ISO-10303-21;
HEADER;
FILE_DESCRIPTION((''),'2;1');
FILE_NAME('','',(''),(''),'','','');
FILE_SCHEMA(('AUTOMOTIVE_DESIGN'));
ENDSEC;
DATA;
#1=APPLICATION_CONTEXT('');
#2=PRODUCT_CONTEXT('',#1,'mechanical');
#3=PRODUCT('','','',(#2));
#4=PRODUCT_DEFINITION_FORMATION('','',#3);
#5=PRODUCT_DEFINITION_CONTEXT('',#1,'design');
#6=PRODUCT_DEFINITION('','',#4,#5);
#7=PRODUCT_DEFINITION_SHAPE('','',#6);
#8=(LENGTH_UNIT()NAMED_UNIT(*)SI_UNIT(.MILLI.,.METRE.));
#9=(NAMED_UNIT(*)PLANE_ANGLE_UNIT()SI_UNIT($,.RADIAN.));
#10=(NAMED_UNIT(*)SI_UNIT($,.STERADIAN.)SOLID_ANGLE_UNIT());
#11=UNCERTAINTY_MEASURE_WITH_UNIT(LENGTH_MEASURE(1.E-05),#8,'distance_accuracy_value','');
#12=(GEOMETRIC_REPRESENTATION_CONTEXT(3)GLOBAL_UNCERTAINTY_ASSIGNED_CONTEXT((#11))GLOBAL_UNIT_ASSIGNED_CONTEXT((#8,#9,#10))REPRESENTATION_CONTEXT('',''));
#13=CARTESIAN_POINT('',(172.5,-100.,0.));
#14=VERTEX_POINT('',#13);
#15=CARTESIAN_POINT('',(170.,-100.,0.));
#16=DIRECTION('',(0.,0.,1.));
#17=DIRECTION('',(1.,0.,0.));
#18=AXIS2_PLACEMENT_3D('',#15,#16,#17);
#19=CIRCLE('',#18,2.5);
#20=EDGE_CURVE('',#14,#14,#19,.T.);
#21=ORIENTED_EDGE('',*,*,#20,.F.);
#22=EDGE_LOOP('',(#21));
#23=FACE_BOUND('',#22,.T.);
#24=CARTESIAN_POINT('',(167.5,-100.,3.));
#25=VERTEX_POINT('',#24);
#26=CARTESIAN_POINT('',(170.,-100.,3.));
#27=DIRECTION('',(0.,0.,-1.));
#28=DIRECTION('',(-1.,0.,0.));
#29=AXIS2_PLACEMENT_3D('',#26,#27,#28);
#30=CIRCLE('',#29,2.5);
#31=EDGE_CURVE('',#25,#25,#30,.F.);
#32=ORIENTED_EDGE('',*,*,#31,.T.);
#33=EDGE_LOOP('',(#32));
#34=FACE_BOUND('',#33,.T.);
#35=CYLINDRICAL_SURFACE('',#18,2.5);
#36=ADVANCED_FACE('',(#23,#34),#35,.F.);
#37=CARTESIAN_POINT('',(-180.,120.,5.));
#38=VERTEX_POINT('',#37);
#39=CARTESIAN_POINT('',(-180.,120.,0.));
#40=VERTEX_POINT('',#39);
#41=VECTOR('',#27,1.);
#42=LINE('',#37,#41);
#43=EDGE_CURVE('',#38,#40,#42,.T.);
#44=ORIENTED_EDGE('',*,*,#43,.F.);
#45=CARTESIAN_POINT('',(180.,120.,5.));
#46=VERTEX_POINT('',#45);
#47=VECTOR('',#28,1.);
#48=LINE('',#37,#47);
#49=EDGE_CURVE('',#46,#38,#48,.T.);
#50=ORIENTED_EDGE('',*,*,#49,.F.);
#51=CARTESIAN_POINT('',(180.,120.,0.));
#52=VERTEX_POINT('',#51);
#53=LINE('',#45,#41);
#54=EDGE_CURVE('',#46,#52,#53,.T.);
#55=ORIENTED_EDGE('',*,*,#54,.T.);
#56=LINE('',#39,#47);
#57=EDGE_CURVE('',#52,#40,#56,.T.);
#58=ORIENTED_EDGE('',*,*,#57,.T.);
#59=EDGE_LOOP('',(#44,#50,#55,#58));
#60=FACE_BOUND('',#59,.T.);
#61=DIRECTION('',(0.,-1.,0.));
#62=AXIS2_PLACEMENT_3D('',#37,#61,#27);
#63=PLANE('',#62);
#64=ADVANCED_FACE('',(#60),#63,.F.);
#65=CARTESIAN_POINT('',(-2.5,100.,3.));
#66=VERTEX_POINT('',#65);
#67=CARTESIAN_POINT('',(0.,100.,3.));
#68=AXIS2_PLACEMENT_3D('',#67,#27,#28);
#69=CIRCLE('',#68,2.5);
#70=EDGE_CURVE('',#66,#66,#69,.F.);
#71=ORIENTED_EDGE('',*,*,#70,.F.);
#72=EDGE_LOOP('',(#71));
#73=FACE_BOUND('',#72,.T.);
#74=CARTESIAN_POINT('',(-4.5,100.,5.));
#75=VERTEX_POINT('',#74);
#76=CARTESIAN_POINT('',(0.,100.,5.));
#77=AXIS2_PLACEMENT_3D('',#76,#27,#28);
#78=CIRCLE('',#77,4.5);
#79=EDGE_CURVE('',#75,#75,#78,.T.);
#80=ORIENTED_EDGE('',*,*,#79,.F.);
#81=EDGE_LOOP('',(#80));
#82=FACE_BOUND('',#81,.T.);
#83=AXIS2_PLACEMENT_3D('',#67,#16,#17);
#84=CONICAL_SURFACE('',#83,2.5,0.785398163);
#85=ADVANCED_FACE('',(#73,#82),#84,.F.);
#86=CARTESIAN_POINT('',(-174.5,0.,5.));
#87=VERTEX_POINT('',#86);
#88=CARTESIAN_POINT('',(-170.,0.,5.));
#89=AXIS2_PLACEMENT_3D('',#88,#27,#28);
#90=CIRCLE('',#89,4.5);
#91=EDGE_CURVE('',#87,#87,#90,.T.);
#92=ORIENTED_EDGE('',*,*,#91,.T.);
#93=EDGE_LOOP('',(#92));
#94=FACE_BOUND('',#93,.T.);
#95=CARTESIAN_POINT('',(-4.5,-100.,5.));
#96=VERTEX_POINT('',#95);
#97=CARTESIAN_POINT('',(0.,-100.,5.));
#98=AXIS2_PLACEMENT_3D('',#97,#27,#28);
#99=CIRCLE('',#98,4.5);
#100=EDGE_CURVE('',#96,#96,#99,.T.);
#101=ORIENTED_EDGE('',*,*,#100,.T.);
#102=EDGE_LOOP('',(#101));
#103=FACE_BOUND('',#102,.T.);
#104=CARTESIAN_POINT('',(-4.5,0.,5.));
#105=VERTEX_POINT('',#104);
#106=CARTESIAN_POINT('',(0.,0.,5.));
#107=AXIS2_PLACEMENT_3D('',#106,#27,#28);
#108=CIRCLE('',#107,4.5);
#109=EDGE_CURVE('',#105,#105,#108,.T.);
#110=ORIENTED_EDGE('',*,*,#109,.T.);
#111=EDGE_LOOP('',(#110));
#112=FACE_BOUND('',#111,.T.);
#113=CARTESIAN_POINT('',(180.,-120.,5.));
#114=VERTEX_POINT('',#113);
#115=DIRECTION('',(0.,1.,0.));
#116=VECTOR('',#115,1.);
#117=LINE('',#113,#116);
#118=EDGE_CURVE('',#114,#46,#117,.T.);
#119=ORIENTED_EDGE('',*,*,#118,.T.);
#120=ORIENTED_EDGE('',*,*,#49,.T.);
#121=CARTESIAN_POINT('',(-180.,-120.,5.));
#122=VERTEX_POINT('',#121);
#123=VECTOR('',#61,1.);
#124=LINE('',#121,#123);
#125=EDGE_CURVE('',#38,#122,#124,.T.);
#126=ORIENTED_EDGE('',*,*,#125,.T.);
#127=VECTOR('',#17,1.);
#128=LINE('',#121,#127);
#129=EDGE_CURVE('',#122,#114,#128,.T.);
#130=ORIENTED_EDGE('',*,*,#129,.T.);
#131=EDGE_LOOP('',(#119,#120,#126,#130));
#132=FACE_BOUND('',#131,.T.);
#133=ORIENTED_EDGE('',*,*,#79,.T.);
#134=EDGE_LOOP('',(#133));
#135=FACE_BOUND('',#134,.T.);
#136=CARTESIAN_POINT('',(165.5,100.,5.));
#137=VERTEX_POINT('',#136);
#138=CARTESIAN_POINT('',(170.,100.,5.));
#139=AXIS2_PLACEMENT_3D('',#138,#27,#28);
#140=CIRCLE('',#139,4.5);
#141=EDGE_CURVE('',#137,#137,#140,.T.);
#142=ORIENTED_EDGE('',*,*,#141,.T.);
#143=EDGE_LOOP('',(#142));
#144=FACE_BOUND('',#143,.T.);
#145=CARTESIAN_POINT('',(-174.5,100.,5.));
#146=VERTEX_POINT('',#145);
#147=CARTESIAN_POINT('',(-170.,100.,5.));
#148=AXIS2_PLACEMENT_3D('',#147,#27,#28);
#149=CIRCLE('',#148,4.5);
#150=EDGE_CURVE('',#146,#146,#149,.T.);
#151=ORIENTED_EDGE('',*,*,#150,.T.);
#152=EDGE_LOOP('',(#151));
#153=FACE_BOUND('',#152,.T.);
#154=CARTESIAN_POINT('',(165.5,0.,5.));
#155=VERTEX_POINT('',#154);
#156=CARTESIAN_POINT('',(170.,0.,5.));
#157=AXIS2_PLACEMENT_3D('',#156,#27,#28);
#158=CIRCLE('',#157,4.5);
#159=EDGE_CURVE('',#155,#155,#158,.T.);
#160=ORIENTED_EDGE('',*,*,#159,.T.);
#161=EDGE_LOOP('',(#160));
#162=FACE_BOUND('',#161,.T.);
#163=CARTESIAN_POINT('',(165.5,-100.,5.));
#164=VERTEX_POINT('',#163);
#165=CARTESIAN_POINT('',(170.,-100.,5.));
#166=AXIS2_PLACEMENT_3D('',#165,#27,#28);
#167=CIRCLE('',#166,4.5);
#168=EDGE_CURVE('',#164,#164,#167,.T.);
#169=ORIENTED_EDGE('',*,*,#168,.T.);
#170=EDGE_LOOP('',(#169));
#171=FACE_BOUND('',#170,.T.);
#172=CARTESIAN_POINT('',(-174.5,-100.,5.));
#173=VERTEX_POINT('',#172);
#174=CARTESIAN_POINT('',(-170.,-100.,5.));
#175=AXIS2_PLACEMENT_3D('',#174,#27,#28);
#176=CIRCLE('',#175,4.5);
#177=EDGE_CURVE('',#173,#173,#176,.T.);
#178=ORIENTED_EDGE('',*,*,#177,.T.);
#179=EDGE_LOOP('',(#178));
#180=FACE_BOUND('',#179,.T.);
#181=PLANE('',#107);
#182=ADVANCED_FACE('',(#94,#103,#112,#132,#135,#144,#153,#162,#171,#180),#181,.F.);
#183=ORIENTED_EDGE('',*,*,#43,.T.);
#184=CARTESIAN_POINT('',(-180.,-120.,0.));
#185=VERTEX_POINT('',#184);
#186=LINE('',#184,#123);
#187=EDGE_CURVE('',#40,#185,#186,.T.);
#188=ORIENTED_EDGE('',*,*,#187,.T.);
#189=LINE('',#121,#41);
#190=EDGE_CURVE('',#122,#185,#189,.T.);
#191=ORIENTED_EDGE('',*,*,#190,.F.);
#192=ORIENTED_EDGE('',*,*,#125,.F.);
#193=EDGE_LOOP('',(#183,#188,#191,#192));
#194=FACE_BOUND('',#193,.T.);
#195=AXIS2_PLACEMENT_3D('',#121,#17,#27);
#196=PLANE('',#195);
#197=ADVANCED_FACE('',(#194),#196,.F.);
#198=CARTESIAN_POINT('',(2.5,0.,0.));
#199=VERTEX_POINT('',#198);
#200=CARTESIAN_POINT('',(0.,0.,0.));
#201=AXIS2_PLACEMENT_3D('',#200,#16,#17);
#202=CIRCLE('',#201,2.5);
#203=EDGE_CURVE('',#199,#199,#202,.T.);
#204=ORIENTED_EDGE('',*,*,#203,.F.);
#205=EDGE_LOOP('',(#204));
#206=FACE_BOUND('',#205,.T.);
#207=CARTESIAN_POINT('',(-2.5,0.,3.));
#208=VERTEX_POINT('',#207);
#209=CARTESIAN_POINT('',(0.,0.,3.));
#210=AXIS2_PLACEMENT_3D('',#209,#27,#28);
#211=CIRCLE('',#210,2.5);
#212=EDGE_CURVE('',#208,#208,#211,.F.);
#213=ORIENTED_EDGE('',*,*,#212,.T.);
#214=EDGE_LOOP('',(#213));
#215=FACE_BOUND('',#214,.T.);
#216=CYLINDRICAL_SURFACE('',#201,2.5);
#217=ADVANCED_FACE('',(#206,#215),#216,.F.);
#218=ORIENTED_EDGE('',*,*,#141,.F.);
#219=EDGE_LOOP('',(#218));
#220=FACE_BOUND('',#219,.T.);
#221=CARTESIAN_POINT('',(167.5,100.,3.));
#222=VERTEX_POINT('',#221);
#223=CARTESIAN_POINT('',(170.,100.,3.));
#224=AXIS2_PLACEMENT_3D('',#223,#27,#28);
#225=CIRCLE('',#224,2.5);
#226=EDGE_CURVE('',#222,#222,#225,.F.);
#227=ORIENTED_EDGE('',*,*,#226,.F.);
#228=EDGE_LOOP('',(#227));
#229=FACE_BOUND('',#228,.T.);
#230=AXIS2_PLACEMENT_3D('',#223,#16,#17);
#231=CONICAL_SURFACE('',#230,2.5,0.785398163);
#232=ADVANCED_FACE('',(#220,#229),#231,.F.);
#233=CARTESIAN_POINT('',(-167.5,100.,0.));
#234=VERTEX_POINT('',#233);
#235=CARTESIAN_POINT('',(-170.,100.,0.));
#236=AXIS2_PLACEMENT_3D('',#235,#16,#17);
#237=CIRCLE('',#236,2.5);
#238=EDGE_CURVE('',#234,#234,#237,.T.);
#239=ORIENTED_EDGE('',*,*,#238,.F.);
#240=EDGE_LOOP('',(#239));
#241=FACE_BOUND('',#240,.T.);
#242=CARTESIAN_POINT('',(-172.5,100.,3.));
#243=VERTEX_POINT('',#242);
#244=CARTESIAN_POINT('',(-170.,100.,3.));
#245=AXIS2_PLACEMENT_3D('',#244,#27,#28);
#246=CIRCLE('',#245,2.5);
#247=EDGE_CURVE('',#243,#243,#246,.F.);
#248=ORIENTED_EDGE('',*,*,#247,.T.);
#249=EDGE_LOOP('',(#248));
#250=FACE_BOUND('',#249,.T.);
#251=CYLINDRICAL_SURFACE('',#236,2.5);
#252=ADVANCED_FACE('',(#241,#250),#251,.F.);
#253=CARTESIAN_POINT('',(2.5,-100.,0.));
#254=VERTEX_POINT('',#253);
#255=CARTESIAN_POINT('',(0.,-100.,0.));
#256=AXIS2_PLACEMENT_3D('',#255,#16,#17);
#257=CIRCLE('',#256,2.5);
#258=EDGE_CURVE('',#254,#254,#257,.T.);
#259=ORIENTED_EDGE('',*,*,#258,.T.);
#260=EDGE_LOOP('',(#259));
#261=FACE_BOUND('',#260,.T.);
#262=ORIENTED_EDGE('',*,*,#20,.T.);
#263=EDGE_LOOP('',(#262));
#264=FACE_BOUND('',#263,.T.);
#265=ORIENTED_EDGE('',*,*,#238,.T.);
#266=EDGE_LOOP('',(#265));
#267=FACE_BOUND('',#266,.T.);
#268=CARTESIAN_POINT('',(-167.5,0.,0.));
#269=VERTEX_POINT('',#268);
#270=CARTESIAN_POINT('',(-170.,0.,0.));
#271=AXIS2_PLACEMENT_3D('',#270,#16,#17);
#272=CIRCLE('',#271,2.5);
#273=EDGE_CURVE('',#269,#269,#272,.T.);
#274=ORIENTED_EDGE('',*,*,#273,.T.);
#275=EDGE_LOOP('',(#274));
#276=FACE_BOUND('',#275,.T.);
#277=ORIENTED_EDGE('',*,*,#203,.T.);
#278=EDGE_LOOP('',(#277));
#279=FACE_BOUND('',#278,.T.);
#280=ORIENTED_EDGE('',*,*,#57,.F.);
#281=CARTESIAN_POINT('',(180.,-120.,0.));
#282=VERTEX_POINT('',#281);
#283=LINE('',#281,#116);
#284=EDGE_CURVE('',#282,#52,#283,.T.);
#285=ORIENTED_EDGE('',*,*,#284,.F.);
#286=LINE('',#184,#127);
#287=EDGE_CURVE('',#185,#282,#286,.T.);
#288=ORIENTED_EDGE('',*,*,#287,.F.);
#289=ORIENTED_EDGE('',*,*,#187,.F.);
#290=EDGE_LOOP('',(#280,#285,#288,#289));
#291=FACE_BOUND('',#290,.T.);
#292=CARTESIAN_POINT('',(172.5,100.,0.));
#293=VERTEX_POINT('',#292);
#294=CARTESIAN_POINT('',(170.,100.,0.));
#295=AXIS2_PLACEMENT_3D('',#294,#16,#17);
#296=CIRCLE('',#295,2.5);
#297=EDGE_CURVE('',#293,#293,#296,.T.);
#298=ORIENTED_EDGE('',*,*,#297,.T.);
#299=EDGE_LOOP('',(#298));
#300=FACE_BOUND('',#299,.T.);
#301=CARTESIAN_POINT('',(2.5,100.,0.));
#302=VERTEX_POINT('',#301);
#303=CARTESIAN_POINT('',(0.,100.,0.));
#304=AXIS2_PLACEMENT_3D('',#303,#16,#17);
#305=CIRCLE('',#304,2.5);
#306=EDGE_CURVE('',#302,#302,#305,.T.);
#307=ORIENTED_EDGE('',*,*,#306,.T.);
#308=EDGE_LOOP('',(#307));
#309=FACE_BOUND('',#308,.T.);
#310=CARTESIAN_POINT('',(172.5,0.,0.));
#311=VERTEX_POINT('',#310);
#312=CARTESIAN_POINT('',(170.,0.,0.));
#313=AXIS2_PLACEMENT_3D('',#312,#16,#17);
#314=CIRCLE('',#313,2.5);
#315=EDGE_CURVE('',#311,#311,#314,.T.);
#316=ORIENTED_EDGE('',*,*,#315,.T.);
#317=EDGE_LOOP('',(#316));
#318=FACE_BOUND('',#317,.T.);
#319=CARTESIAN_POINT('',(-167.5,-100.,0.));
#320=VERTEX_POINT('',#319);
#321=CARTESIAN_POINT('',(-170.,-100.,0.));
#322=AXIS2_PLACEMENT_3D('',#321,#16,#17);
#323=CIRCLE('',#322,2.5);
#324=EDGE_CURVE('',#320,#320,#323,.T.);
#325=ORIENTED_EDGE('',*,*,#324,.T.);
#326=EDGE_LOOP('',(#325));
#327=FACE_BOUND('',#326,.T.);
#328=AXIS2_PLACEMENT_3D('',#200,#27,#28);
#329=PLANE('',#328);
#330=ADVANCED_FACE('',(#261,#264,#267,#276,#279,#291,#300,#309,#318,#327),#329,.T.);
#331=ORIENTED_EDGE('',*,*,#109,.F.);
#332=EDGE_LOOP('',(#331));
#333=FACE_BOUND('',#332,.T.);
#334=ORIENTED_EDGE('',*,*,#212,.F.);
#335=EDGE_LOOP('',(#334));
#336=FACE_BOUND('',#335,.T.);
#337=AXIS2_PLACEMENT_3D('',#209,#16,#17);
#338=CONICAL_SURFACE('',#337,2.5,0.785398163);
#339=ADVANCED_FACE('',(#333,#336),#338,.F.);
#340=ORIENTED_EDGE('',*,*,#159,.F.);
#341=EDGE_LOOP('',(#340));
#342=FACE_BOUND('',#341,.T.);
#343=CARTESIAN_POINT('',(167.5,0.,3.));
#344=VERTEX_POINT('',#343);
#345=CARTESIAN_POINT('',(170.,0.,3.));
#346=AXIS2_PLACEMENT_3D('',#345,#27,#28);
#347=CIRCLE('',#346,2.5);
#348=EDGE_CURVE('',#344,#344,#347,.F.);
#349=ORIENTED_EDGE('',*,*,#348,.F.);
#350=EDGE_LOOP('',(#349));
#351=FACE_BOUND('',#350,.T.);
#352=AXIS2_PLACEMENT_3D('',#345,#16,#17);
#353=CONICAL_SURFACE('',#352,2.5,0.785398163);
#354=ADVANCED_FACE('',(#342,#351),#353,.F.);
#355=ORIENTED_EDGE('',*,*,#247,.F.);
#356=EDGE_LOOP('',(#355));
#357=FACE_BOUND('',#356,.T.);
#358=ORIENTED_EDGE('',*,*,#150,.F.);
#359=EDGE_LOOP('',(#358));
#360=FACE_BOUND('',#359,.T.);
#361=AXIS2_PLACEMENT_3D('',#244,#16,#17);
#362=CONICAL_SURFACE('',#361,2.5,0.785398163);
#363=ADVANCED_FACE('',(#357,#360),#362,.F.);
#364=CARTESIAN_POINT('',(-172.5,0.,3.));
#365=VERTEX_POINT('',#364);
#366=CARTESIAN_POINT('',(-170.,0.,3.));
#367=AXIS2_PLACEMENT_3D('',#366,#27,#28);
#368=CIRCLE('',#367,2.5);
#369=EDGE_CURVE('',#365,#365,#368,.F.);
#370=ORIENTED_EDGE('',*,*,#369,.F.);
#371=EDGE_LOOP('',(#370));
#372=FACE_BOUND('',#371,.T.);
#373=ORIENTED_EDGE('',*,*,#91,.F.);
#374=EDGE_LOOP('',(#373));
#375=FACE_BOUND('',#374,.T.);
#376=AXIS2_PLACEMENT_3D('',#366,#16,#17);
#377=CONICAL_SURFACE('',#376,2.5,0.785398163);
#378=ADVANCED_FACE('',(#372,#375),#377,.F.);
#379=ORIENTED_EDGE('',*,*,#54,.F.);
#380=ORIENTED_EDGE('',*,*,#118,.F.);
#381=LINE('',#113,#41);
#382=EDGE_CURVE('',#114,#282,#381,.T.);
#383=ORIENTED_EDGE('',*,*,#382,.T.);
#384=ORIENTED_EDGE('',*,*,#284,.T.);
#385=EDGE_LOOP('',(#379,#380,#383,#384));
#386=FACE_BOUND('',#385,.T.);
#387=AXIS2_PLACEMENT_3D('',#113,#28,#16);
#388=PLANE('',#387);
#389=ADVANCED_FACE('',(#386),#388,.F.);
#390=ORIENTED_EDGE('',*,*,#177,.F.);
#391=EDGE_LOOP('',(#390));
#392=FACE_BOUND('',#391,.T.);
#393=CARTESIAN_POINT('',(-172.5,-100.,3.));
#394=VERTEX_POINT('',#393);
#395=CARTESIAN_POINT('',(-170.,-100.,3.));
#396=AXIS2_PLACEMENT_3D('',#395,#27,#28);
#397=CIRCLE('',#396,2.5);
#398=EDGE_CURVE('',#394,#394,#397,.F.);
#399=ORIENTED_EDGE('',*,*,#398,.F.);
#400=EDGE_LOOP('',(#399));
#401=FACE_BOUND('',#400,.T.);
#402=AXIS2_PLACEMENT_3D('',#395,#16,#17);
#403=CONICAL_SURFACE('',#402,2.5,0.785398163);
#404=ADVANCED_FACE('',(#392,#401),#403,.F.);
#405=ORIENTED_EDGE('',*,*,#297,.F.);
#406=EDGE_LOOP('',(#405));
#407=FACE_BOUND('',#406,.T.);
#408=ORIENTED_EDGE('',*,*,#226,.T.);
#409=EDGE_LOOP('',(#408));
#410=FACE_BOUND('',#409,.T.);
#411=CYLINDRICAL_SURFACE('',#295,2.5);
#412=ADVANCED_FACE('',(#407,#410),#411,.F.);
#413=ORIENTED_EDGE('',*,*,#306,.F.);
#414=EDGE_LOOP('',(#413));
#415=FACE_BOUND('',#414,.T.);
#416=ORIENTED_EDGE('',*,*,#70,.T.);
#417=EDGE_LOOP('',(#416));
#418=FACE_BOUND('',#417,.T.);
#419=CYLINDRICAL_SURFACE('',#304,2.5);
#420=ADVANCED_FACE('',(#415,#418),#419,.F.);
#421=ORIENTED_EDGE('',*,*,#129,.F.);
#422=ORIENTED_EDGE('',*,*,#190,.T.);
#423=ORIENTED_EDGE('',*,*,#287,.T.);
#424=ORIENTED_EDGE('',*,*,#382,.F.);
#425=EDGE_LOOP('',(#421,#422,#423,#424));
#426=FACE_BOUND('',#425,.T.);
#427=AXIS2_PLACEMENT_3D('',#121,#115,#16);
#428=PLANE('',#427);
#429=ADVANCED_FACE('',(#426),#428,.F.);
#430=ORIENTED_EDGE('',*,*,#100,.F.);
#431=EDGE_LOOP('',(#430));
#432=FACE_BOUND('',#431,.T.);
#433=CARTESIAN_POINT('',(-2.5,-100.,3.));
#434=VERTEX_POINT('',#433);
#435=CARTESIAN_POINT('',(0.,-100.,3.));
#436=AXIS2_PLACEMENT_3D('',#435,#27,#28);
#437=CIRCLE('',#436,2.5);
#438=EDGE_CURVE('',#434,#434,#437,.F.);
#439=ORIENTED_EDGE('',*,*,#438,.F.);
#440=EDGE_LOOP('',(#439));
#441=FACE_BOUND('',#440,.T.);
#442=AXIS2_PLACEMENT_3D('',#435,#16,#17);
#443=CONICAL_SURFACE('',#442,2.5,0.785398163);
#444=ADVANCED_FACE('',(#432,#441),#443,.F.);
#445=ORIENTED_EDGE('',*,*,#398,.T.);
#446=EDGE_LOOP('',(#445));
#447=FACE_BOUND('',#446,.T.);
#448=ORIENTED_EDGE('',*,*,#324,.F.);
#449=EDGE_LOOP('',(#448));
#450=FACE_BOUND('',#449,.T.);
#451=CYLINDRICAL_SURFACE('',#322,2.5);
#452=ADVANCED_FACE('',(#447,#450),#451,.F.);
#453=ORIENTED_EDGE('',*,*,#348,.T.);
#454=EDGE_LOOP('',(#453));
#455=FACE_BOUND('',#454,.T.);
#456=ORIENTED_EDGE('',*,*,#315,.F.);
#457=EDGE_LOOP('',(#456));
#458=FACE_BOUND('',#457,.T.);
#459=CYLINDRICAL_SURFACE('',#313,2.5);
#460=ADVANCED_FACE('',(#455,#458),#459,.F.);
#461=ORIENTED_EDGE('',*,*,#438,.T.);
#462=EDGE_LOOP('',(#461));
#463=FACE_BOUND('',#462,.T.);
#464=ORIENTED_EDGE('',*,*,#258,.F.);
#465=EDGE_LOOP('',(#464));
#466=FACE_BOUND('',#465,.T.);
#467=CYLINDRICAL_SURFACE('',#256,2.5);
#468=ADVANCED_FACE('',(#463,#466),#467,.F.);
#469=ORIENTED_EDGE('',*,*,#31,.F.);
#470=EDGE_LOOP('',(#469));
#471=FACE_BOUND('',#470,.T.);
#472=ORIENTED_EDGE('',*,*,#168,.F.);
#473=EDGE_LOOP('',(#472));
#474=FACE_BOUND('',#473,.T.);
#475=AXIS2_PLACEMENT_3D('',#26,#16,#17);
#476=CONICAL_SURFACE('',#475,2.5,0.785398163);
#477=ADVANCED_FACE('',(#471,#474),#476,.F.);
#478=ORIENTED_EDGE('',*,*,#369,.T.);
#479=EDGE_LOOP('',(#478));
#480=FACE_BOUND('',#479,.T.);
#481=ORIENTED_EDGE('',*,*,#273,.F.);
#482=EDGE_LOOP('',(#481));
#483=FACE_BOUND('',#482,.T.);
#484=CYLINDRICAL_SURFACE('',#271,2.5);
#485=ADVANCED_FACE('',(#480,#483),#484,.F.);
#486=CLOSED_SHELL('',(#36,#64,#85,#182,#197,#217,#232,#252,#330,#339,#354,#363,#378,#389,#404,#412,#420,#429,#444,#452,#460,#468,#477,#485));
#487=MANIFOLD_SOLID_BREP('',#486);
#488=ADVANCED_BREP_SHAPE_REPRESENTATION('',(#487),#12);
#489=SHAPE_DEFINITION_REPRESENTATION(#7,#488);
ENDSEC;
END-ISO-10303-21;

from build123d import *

# Parameters (mm, degrees)
ESQUISSE1_W             = 360
ESQUISSE1_H             = 240
BOSS_EXTRU_1_DEPTH      = 5
ESQUISSE2_R             = 2.5
ENL_V_MAT_EXTRU_1_DEPTH = 217.390850084
CHANFREIN1_SIZE         = 2


with BuildPart() as part:
    # Esquisse1 → Boss.-Extru.1 (new body)
    with BuildSketch(Plane.XY):
        Rectangle(ESQUISSE1_W, ESQUISSE1_H)
    extrude(amount=BOSS_EXTRU_1_DEPTH)

    # Esquisse2 → Enlèv. mat.-Extru.1 (cut, through all)
    with BuildSketch(Plane.XY.offset(5)):
        with Locations((-170, 100)):
            Circle(ESQUISSE2_R)
        with Locations((-170, 0)):
            Circle(ESQUISSE2_R)
        with Locations((-170, -100)):
            Circle(ESQUISSE2_R)
        with Locations((0, 100)):
            Circle(ESQUISSE2_R)
        Circle(ESQUISSE2_R)
        with Locations((0, -100)):
            Circle(ESQUISSE2_R)
        with Locations((170, -100)):
            Circle(ESQUISSE2_R)
        with Locations((170, 0)):
            Circle(ESQUISSE2_R)
        with Locations((170, 100)):
            Circle(ESQUISSE2_R)
    extrude(amount=-ENL_V_MAT_EXTRU_1_DEPTH, mode=Mode.SUBTRACT)

    # Chanfrein1
    chanfrein1_edges = [part.edges().sort_by_distance(p)[0] for p in [
        (-172.5, 0, 5),
        (-172.5, -100, 5),
        (-2.5, 100, 5),
        (-2.5, 0, 5),
        (-2.5, -100, 5),
        (167.5, -100, 5),
        (167.5, 0, 5),
        (167.5, 100, 5),
        (-172.5, 100, 5),
    ]]
    chamfer(chanfrein1_edges, length=CHANFREIN1_SIZE)


solid = part.part
